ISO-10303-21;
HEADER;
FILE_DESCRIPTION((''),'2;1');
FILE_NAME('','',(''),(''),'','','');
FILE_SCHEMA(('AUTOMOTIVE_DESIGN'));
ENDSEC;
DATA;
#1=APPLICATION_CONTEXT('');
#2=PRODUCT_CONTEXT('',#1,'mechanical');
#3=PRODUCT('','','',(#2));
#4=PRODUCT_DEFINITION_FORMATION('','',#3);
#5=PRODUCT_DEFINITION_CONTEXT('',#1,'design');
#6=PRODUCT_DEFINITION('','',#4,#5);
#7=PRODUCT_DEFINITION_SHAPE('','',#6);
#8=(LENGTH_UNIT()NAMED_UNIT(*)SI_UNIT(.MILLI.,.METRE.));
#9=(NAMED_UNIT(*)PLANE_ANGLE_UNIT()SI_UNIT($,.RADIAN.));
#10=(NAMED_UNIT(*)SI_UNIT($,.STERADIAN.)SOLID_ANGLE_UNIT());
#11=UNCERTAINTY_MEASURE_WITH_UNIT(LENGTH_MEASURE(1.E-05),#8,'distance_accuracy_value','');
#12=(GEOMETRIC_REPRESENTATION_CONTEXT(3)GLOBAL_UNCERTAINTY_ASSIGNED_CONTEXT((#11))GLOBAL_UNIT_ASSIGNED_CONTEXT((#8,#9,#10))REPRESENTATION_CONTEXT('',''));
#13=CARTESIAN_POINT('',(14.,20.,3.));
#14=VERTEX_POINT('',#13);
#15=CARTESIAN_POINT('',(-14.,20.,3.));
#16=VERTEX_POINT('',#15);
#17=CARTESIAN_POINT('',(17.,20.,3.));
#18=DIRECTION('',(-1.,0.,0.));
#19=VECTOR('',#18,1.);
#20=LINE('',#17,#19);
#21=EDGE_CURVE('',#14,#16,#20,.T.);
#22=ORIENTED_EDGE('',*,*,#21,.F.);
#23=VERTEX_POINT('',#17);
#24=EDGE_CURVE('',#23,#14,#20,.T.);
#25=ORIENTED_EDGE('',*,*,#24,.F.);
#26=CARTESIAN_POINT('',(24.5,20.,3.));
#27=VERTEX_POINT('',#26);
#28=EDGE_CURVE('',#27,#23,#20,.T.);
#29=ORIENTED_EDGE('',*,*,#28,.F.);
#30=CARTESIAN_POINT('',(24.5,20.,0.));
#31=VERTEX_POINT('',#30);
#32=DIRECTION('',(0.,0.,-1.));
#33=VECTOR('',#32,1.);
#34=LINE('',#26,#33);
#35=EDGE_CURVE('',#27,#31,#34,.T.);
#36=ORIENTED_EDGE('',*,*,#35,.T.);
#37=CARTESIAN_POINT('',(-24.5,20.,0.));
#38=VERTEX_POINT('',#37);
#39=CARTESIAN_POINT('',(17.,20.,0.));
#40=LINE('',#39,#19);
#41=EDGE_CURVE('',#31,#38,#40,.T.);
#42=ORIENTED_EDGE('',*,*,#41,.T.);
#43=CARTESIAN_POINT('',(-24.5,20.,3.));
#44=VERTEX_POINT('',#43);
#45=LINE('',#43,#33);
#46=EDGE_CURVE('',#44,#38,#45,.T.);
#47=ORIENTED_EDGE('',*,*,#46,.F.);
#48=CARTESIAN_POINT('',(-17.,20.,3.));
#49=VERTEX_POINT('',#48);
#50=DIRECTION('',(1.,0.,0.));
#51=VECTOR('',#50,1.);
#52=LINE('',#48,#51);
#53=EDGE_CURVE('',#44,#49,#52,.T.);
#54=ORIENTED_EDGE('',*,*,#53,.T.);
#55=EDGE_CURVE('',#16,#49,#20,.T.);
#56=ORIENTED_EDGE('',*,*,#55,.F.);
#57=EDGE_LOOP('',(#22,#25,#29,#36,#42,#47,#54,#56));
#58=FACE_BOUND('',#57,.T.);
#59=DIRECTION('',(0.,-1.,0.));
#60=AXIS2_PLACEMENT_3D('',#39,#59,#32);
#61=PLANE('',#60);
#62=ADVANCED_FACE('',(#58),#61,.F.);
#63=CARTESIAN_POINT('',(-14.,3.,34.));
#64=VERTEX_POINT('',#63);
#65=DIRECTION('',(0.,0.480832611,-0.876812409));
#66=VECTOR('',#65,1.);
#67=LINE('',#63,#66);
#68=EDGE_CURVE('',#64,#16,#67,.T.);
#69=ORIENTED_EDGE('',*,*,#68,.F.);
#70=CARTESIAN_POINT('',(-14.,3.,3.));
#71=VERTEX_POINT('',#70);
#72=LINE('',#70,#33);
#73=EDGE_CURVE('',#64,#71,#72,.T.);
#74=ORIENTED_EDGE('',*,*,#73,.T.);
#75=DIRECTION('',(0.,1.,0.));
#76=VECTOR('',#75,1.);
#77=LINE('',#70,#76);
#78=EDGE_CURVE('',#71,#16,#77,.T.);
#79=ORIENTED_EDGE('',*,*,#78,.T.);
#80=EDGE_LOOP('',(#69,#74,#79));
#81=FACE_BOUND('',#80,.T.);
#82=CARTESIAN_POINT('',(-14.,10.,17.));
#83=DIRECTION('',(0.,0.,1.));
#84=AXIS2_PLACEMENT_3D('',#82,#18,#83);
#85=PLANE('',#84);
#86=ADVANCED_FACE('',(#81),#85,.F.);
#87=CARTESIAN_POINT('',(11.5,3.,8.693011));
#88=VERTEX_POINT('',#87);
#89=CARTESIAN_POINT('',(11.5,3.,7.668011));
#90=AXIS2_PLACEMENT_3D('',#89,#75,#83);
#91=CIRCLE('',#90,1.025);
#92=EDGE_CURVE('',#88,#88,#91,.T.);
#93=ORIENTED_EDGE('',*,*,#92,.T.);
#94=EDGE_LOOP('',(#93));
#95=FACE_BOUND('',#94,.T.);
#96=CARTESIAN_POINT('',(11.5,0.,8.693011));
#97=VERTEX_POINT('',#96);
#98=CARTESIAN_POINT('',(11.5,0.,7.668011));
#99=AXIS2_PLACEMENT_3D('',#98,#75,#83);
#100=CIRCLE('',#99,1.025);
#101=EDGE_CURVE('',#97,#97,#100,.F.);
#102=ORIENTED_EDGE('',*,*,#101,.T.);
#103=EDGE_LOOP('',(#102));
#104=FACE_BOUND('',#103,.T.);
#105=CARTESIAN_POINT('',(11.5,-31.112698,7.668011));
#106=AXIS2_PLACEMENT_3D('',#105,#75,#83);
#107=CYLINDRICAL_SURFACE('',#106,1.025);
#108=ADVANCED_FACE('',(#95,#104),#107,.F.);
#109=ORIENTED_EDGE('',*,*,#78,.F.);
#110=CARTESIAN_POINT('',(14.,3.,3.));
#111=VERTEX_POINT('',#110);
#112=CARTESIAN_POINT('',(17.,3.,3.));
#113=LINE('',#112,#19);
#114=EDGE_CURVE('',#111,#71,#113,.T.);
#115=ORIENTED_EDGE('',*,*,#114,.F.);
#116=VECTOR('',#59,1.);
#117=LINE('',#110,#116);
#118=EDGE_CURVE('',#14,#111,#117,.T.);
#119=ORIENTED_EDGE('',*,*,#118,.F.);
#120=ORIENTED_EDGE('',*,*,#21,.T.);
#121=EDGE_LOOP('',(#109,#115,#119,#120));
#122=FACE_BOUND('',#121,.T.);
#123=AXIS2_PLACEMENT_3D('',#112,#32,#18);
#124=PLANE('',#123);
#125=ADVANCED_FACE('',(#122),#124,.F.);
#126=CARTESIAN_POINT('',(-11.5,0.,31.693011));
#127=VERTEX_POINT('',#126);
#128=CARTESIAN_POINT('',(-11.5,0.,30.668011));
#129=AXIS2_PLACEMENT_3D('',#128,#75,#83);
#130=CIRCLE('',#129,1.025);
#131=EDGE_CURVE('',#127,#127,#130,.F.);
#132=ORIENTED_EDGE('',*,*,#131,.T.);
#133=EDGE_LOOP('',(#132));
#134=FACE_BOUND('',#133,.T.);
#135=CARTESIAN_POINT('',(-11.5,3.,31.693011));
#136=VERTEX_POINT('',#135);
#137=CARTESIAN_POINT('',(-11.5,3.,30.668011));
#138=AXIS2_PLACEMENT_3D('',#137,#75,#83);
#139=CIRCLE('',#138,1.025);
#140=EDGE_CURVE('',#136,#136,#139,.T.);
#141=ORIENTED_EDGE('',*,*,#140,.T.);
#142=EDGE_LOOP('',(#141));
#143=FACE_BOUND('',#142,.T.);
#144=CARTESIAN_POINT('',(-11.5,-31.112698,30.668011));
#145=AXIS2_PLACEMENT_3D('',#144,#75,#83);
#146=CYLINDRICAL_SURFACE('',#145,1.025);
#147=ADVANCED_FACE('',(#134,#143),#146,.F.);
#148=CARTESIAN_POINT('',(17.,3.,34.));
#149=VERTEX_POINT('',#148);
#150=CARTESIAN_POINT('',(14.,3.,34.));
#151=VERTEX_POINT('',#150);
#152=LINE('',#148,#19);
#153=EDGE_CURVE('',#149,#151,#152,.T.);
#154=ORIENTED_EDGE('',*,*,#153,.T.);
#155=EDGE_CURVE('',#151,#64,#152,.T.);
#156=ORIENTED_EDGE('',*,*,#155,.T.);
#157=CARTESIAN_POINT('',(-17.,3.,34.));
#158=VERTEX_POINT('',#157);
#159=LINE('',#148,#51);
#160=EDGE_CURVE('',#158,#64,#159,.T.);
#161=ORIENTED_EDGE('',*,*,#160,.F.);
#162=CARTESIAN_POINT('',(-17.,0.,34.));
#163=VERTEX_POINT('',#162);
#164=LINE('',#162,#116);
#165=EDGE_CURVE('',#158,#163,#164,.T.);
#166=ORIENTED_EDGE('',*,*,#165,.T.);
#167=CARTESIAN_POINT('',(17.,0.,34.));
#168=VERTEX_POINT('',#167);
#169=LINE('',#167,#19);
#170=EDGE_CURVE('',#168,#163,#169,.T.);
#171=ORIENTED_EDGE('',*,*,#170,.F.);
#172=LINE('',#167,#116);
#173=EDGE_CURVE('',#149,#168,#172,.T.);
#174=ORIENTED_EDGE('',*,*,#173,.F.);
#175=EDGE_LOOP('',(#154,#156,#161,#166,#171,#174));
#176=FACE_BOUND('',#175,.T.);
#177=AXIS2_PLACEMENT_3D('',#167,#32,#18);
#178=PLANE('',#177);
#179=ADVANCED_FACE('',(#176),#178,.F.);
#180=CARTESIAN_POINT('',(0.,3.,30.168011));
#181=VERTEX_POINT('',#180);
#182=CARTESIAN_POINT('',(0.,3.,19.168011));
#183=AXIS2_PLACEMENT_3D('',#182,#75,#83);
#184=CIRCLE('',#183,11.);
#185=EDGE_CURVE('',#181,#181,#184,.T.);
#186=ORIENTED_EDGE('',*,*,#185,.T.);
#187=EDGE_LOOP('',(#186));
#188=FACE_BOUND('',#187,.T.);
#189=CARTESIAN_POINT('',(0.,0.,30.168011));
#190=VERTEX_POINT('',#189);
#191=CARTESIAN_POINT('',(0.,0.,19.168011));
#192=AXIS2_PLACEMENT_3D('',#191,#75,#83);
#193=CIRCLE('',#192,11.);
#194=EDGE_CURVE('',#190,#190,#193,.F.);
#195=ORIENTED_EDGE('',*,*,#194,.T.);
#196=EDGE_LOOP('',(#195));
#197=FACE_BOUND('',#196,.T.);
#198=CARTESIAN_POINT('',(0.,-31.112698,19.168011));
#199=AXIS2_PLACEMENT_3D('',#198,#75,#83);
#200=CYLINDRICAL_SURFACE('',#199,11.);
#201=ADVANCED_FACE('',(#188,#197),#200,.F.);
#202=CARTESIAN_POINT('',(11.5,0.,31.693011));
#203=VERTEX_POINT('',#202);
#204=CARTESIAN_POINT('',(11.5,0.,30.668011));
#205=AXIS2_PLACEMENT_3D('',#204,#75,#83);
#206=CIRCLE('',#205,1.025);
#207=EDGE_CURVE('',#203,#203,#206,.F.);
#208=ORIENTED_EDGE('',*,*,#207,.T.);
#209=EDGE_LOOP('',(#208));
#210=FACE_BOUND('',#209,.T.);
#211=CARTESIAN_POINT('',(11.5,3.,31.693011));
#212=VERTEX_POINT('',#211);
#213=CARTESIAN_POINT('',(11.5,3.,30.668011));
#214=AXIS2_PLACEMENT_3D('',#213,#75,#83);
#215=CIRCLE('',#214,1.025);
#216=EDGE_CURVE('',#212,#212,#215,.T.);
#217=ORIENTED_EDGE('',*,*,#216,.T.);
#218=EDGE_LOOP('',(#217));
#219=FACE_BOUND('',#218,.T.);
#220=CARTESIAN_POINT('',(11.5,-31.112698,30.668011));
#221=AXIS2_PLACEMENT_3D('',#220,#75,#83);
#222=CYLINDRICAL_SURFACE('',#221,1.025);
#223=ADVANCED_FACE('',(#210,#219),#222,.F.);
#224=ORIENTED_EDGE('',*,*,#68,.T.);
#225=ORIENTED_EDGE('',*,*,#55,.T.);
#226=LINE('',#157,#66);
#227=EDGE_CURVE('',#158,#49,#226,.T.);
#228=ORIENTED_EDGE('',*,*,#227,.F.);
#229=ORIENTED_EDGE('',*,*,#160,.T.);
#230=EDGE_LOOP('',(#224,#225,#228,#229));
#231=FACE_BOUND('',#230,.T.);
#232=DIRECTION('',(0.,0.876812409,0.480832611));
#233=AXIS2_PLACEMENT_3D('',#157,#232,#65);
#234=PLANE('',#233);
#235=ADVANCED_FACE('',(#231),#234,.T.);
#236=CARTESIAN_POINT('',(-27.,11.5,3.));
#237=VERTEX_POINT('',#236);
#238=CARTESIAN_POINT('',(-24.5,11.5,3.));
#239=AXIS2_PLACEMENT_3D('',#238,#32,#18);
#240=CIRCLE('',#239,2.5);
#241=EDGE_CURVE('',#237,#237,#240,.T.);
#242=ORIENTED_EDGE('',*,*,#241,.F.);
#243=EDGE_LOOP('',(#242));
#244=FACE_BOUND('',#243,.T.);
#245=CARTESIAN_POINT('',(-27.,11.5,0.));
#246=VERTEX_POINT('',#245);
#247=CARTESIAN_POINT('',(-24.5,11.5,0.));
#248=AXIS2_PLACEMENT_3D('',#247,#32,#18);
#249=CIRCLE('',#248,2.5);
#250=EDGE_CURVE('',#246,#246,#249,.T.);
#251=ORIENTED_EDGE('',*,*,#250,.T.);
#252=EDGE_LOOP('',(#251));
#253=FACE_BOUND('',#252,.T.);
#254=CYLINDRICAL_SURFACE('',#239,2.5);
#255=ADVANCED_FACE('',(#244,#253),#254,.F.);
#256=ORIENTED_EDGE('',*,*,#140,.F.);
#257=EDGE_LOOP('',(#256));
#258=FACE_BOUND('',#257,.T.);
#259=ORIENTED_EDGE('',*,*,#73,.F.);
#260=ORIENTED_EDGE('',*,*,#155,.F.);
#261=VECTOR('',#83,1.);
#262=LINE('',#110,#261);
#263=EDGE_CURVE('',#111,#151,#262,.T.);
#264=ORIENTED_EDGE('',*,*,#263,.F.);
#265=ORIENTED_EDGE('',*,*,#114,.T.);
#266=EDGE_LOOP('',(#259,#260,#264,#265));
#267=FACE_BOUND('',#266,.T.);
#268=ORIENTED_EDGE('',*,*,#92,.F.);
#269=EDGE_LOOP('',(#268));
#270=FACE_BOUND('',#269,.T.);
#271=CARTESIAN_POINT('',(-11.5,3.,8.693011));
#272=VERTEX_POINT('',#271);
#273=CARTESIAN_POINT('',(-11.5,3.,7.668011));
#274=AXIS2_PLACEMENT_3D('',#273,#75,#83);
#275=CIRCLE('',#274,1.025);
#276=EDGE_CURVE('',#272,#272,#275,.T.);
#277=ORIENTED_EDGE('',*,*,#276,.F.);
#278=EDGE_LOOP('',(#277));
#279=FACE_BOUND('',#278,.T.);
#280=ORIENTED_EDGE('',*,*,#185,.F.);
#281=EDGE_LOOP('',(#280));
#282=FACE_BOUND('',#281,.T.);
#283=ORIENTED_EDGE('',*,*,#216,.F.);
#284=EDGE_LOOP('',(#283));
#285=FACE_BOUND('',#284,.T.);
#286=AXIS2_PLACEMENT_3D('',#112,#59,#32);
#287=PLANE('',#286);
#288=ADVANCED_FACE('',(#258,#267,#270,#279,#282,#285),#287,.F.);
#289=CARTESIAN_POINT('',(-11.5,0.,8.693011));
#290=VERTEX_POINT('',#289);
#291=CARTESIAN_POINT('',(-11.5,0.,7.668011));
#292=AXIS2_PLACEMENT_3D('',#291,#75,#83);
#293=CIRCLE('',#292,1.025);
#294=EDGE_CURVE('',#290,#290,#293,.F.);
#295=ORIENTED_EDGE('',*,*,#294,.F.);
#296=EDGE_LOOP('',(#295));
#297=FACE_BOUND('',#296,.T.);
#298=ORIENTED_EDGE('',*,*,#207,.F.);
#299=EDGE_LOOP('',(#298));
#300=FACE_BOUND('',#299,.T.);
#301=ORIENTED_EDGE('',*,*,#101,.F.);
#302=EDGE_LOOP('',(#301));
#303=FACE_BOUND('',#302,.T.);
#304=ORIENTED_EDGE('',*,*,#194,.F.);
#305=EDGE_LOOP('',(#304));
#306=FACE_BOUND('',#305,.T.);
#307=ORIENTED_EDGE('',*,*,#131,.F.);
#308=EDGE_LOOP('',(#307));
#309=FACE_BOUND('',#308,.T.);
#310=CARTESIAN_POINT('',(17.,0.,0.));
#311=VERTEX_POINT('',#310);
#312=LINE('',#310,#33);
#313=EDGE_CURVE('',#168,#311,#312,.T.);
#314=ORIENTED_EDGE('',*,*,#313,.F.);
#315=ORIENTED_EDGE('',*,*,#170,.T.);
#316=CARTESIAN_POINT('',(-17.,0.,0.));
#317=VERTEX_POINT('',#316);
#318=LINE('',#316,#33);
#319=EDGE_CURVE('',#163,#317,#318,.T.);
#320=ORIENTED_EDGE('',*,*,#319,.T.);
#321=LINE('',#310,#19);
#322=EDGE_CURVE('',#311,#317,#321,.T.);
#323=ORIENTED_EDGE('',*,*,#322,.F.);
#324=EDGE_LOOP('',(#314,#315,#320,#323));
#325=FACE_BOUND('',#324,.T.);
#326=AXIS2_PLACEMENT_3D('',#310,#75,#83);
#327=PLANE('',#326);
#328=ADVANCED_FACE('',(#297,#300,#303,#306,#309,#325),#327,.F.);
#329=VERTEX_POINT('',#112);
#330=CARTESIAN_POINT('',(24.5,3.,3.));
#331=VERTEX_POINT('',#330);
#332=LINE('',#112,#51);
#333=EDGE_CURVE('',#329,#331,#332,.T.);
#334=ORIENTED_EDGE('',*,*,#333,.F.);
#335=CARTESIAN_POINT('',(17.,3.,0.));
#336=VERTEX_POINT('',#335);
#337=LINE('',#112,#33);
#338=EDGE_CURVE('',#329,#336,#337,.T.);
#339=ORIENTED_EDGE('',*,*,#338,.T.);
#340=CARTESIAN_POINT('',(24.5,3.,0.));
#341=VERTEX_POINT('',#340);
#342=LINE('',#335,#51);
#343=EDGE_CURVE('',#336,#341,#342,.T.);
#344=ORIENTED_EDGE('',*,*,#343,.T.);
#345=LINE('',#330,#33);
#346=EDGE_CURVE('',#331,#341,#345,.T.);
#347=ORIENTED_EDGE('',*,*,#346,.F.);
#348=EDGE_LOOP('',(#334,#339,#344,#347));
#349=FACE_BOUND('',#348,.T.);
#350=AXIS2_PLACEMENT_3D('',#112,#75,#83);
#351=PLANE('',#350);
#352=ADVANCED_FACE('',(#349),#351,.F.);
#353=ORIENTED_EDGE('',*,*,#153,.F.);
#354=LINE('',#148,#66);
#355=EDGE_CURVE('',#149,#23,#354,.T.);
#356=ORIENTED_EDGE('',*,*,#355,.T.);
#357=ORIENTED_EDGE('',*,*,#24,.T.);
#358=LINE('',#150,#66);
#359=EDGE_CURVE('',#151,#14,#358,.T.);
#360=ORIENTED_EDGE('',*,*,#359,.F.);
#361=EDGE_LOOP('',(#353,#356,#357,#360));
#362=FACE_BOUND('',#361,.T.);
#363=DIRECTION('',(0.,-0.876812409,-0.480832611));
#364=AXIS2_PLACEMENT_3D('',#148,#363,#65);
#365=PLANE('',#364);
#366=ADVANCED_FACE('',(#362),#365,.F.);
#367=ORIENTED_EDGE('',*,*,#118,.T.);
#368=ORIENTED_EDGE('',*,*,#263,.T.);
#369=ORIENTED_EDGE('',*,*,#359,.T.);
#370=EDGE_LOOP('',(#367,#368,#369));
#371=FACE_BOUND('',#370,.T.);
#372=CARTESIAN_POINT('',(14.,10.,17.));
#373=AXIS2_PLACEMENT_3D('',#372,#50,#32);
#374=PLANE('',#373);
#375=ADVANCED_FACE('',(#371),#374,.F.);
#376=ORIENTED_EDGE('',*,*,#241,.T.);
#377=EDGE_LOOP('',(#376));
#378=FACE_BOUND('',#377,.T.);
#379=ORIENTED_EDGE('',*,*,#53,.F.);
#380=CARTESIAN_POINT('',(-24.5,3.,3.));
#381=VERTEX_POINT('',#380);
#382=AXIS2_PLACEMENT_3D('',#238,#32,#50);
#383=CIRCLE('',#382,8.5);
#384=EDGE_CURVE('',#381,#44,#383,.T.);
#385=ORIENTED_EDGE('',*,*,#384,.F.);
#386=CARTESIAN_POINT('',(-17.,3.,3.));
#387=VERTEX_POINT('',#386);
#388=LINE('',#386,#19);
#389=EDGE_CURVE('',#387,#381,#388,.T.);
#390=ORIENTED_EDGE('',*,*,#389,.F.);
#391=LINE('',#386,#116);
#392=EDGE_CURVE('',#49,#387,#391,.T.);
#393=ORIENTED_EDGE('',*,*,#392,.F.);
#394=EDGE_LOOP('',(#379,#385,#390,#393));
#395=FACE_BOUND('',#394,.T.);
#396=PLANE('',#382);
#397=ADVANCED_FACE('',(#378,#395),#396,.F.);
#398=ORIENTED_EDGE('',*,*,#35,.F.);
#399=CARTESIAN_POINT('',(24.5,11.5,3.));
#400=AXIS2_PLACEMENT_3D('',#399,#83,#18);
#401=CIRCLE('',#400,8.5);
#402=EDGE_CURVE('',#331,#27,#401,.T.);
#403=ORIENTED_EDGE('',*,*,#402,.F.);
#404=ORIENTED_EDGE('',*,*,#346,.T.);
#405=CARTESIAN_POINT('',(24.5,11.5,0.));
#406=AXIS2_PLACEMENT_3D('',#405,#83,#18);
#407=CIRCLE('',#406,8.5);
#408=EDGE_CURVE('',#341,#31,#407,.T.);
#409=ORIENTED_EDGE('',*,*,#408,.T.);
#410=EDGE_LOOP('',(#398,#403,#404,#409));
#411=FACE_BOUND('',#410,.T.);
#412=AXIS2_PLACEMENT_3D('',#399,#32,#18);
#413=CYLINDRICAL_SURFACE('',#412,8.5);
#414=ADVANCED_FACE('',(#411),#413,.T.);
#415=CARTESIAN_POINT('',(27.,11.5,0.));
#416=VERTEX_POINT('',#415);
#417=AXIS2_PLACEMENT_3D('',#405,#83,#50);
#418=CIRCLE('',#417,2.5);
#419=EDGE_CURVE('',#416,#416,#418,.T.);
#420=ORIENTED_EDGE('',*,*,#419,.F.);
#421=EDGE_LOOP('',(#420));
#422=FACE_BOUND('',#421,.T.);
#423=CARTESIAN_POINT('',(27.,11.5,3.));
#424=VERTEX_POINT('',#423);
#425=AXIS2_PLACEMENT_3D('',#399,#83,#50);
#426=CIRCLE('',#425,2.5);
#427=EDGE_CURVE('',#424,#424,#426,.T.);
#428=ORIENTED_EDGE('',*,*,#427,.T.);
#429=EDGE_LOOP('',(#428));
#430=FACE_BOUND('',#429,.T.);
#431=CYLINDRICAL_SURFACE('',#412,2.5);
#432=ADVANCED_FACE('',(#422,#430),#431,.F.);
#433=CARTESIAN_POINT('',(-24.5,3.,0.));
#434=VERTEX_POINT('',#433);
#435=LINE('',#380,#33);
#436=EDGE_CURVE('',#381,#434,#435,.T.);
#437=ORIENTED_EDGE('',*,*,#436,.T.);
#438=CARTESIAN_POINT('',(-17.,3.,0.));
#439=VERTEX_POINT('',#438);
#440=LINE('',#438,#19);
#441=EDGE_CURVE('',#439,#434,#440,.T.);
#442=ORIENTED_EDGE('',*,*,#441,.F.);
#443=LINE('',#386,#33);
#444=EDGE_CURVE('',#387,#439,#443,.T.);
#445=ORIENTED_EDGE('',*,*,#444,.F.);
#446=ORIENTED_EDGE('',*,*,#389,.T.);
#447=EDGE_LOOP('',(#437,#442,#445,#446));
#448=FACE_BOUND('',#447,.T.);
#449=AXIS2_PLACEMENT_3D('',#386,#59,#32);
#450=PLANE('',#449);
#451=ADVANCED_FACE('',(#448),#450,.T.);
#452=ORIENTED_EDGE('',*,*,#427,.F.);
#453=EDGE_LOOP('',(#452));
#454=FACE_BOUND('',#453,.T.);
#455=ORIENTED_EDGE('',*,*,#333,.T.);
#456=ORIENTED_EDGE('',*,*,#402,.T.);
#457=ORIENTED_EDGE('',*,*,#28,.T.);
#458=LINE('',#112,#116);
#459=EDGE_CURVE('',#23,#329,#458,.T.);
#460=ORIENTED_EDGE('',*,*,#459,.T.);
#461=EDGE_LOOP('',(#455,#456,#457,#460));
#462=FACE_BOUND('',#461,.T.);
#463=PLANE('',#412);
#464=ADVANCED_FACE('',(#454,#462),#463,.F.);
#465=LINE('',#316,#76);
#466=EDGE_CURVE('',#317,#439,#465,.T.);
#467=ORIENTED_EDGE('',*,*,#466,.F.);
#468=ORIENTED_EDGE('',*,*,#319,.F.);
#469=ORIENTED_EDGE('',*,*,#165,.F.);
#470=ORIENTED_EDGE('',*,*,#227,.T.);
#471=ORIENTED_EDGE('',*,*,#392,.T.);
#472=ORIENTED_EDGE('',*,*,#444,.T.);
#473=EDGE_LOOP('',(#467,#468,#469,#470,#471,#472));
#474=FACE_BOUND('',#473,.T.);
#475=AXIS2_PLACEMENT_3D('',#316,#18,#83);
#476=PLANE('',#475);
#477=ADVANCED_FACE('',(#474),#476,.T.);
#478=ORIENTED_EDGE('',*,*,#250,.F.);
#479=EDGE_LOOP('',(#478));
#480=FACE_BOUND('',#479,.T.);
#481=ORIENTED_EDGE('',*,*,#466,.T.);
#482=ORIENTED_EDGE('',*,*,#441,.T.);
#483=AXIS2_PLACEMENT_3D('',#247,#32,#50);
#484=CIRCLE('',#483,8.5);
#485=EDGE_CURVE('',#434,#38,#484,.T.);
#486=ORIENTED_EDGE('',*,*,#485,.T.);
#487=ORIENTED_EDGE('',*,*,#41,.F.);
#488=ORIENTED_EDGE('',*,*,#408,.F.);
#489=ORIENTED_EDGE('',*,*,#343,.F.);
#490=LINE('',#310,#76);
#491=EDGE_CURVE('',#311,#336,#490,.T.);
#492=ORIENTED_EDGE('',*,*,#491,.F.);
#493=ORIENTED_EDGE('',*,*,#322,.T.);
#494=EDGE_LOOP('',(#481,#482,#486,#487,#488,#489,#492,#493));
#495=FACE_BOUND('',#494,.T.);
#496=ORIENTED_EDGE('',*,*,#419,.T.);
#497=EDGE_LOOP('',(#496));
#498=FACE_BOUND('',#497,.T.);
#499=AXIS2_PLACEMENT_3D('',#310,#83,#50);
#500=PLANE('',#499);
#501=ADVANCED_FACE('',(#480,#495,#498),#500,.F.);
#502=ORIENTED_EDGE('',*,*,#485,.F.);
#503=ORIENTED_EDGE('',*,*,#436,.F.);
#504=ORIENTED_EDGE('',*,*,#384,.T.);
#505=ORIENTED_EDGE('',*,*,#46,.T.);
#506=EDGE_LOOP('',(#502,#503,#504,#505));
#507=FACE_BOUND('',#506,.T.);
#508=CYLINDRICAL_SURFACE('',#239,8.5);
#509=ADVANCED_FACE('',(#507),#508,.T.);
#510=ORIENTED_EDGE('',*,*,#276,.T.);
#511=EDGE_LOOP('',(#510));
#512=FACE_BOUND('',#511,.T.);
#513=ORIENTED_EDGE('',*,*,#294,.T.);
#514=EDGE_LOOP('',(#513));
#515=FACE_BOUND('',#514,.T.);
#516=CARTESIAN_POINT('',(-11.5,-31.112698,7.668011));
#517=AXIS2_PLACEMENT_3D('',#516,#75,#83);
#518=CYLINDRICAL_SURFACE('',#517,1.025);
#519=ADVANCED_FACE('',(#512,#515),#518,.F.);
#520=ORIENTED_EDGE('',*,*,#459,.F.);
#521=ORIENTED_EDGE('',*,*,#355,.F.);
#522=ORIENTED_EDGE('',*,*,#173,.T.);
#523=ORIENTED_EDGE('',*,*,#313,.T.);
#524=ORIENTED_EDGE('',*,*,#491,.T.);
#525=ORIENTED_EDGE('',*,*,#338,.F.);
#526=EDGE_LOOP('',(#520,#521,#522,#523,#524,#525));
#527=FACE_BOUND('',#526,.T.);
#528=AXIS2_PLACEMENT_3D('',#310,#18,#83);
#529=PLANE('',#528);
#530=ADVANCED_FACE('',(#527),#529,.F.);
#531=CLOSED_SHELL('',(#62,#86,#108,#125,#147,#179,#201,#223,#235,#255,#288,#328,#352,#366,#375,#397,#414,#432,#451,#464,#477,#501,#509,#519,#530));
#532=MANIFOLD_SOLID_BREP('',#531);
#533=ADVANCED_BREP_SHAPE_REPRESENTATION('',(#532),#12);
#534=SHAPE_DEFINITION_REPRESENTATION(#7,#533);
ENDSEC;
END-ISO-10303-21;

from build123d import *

# Parameters (mm, degrees)
BOSS_EXTRUDE2_DEPTH = 17
RIB2_REACH          = 54.077
SKETCH5_WALL_W      = 141.50907159
SKETCH5_WALL_H      = 3
SKETCH6_R           = 2.5
BOSS_EXTRUDE3_DEPTH = 3
CUT_EXTRUDE1_DEPTH  = 3


with BuildPart() as part:
    # Sketch2 → Boss-Extrude2 (new, symmetric)
    with BuildSketch(Plane(origin=(0, 0, 0), x_dir=(0, 0, -1), z_dir=(1, 0, 0))):
        Polygon((0, 0), (0, 20), (-3, 20), (-3, 3), (-34, 3), (-34, 0), align=None)
    extrude(amount=BOSS_EXTRUDE2_DEPTH, both=True)

    # Sketch5 wall → Rib2 (add, up to next)
    with BuildSketch(Plane(origin=(17, 11.5, 18.5), x_dir=(0, 0.480832611207, -0.876812408671), z_dir=(0, 0.876812408671, 0.480832611207)), mode=Mode.PRIVATE) as rib2_sk1:
        with Locations((0, 1.5)):
            Rectangle(SKETCH5_WALL_W, SKETCH5_WALL_H)
    rib2_tool1 = extrude(rib2_sk1.sketch, amount=-RIB2_REACH, mode=Mode.PRIVATE) - part.part
    rib2 = rib2_tool1.solids().sort_by_distance((17, 11.5, 18.5))[0]
    add(rib2)

    # Sketch6 → Boss-Extrude3 (add)
    with BuildSketch(Plane.XY):
        with BuildLine():
            Line((17, 20), (24.5, 20))
            ThreePointArc((24.5, 20), (33, 11.5), (24.5, 3))
            Line((24.5, 3), (17, 3))
            Line((17, 3), (17, 20))
        make_face()
        with Locations((24.5, 11.5)):
            Circle(SKETCH6_R, mode=Mode.SUBTRACT)
    boss_extrude3 = extrude(amount=BOSS_EXTRUDE3_DEPTH)

    # Mirror1: Rib2, Boss-Extrude3 across plane
    add(rib2.mirror(Plane(origin=(0, 0, 0), x_dir=(0, 0, 1), z_dir=(1, 0, 0))))
    add(boss_extrude3.mirror(Plane(origin=(0, 0, 0), x_dir=(0, 0, 1), z_dir=(1, 0, 0))))

    # Sketch8 → Cut-Extrude1 (cut)
    with BuildSketch(Plane(origin=(0, 3, 0), x_dir=(1, 0, 0), z_dir=(0, 1, 0))):
        with BuildLine():
            ThreePointArc((11, -19.168010742), (0, -8.168010742), (-11, -19.168010742))
            ThreePointArc((-11, -19.168010742), (0, -30.168010742), (11, -19.168010742))
        make_face()
        with BuildLine():
            ThreePointArc((-10.475, -7.668010742), (-11.5, -6.643010742), (-12.525, -7.668010742))
            ThreePointArc((-12.525, -7.668010742), (-11.5, -8.693010742), (-10.475, -7.668010742))
        make_face()
        with BuildLine():
            ThreePointArc((-12.525, -30.668010742), (-11.5, -31.693010742), (-10.475, -30.668010742))
            ThreePointArc((-10.475, -30.668010742), (-11.5, -29.643010742), (-12.525, -30.668010742))
        make_face()
        with BuildLine():
            ThreePointArc((10.475, -7.668010742), (11.5, -8.693010742), (12.525, -7.668010742))
            ThreePointArc((12.525, -7.668010742), (11.5, -6.643010742), (10.475, -7.668010742))
        make_face()
        with BuildLine():
            ThreePointArc((10.475, -30.668010742), (11.5, -31.693010742), (12.525, -30.668010742))
            ThreePointArc((12.525, -30.668010742), (11.5, -29.643010742), (10.475, -30.668010742))
        make_face()
    extrude(amount=-CUT_EXTRUDE1_DEPTH, mode=Mode.SUBTRACT)


solid = part.part
